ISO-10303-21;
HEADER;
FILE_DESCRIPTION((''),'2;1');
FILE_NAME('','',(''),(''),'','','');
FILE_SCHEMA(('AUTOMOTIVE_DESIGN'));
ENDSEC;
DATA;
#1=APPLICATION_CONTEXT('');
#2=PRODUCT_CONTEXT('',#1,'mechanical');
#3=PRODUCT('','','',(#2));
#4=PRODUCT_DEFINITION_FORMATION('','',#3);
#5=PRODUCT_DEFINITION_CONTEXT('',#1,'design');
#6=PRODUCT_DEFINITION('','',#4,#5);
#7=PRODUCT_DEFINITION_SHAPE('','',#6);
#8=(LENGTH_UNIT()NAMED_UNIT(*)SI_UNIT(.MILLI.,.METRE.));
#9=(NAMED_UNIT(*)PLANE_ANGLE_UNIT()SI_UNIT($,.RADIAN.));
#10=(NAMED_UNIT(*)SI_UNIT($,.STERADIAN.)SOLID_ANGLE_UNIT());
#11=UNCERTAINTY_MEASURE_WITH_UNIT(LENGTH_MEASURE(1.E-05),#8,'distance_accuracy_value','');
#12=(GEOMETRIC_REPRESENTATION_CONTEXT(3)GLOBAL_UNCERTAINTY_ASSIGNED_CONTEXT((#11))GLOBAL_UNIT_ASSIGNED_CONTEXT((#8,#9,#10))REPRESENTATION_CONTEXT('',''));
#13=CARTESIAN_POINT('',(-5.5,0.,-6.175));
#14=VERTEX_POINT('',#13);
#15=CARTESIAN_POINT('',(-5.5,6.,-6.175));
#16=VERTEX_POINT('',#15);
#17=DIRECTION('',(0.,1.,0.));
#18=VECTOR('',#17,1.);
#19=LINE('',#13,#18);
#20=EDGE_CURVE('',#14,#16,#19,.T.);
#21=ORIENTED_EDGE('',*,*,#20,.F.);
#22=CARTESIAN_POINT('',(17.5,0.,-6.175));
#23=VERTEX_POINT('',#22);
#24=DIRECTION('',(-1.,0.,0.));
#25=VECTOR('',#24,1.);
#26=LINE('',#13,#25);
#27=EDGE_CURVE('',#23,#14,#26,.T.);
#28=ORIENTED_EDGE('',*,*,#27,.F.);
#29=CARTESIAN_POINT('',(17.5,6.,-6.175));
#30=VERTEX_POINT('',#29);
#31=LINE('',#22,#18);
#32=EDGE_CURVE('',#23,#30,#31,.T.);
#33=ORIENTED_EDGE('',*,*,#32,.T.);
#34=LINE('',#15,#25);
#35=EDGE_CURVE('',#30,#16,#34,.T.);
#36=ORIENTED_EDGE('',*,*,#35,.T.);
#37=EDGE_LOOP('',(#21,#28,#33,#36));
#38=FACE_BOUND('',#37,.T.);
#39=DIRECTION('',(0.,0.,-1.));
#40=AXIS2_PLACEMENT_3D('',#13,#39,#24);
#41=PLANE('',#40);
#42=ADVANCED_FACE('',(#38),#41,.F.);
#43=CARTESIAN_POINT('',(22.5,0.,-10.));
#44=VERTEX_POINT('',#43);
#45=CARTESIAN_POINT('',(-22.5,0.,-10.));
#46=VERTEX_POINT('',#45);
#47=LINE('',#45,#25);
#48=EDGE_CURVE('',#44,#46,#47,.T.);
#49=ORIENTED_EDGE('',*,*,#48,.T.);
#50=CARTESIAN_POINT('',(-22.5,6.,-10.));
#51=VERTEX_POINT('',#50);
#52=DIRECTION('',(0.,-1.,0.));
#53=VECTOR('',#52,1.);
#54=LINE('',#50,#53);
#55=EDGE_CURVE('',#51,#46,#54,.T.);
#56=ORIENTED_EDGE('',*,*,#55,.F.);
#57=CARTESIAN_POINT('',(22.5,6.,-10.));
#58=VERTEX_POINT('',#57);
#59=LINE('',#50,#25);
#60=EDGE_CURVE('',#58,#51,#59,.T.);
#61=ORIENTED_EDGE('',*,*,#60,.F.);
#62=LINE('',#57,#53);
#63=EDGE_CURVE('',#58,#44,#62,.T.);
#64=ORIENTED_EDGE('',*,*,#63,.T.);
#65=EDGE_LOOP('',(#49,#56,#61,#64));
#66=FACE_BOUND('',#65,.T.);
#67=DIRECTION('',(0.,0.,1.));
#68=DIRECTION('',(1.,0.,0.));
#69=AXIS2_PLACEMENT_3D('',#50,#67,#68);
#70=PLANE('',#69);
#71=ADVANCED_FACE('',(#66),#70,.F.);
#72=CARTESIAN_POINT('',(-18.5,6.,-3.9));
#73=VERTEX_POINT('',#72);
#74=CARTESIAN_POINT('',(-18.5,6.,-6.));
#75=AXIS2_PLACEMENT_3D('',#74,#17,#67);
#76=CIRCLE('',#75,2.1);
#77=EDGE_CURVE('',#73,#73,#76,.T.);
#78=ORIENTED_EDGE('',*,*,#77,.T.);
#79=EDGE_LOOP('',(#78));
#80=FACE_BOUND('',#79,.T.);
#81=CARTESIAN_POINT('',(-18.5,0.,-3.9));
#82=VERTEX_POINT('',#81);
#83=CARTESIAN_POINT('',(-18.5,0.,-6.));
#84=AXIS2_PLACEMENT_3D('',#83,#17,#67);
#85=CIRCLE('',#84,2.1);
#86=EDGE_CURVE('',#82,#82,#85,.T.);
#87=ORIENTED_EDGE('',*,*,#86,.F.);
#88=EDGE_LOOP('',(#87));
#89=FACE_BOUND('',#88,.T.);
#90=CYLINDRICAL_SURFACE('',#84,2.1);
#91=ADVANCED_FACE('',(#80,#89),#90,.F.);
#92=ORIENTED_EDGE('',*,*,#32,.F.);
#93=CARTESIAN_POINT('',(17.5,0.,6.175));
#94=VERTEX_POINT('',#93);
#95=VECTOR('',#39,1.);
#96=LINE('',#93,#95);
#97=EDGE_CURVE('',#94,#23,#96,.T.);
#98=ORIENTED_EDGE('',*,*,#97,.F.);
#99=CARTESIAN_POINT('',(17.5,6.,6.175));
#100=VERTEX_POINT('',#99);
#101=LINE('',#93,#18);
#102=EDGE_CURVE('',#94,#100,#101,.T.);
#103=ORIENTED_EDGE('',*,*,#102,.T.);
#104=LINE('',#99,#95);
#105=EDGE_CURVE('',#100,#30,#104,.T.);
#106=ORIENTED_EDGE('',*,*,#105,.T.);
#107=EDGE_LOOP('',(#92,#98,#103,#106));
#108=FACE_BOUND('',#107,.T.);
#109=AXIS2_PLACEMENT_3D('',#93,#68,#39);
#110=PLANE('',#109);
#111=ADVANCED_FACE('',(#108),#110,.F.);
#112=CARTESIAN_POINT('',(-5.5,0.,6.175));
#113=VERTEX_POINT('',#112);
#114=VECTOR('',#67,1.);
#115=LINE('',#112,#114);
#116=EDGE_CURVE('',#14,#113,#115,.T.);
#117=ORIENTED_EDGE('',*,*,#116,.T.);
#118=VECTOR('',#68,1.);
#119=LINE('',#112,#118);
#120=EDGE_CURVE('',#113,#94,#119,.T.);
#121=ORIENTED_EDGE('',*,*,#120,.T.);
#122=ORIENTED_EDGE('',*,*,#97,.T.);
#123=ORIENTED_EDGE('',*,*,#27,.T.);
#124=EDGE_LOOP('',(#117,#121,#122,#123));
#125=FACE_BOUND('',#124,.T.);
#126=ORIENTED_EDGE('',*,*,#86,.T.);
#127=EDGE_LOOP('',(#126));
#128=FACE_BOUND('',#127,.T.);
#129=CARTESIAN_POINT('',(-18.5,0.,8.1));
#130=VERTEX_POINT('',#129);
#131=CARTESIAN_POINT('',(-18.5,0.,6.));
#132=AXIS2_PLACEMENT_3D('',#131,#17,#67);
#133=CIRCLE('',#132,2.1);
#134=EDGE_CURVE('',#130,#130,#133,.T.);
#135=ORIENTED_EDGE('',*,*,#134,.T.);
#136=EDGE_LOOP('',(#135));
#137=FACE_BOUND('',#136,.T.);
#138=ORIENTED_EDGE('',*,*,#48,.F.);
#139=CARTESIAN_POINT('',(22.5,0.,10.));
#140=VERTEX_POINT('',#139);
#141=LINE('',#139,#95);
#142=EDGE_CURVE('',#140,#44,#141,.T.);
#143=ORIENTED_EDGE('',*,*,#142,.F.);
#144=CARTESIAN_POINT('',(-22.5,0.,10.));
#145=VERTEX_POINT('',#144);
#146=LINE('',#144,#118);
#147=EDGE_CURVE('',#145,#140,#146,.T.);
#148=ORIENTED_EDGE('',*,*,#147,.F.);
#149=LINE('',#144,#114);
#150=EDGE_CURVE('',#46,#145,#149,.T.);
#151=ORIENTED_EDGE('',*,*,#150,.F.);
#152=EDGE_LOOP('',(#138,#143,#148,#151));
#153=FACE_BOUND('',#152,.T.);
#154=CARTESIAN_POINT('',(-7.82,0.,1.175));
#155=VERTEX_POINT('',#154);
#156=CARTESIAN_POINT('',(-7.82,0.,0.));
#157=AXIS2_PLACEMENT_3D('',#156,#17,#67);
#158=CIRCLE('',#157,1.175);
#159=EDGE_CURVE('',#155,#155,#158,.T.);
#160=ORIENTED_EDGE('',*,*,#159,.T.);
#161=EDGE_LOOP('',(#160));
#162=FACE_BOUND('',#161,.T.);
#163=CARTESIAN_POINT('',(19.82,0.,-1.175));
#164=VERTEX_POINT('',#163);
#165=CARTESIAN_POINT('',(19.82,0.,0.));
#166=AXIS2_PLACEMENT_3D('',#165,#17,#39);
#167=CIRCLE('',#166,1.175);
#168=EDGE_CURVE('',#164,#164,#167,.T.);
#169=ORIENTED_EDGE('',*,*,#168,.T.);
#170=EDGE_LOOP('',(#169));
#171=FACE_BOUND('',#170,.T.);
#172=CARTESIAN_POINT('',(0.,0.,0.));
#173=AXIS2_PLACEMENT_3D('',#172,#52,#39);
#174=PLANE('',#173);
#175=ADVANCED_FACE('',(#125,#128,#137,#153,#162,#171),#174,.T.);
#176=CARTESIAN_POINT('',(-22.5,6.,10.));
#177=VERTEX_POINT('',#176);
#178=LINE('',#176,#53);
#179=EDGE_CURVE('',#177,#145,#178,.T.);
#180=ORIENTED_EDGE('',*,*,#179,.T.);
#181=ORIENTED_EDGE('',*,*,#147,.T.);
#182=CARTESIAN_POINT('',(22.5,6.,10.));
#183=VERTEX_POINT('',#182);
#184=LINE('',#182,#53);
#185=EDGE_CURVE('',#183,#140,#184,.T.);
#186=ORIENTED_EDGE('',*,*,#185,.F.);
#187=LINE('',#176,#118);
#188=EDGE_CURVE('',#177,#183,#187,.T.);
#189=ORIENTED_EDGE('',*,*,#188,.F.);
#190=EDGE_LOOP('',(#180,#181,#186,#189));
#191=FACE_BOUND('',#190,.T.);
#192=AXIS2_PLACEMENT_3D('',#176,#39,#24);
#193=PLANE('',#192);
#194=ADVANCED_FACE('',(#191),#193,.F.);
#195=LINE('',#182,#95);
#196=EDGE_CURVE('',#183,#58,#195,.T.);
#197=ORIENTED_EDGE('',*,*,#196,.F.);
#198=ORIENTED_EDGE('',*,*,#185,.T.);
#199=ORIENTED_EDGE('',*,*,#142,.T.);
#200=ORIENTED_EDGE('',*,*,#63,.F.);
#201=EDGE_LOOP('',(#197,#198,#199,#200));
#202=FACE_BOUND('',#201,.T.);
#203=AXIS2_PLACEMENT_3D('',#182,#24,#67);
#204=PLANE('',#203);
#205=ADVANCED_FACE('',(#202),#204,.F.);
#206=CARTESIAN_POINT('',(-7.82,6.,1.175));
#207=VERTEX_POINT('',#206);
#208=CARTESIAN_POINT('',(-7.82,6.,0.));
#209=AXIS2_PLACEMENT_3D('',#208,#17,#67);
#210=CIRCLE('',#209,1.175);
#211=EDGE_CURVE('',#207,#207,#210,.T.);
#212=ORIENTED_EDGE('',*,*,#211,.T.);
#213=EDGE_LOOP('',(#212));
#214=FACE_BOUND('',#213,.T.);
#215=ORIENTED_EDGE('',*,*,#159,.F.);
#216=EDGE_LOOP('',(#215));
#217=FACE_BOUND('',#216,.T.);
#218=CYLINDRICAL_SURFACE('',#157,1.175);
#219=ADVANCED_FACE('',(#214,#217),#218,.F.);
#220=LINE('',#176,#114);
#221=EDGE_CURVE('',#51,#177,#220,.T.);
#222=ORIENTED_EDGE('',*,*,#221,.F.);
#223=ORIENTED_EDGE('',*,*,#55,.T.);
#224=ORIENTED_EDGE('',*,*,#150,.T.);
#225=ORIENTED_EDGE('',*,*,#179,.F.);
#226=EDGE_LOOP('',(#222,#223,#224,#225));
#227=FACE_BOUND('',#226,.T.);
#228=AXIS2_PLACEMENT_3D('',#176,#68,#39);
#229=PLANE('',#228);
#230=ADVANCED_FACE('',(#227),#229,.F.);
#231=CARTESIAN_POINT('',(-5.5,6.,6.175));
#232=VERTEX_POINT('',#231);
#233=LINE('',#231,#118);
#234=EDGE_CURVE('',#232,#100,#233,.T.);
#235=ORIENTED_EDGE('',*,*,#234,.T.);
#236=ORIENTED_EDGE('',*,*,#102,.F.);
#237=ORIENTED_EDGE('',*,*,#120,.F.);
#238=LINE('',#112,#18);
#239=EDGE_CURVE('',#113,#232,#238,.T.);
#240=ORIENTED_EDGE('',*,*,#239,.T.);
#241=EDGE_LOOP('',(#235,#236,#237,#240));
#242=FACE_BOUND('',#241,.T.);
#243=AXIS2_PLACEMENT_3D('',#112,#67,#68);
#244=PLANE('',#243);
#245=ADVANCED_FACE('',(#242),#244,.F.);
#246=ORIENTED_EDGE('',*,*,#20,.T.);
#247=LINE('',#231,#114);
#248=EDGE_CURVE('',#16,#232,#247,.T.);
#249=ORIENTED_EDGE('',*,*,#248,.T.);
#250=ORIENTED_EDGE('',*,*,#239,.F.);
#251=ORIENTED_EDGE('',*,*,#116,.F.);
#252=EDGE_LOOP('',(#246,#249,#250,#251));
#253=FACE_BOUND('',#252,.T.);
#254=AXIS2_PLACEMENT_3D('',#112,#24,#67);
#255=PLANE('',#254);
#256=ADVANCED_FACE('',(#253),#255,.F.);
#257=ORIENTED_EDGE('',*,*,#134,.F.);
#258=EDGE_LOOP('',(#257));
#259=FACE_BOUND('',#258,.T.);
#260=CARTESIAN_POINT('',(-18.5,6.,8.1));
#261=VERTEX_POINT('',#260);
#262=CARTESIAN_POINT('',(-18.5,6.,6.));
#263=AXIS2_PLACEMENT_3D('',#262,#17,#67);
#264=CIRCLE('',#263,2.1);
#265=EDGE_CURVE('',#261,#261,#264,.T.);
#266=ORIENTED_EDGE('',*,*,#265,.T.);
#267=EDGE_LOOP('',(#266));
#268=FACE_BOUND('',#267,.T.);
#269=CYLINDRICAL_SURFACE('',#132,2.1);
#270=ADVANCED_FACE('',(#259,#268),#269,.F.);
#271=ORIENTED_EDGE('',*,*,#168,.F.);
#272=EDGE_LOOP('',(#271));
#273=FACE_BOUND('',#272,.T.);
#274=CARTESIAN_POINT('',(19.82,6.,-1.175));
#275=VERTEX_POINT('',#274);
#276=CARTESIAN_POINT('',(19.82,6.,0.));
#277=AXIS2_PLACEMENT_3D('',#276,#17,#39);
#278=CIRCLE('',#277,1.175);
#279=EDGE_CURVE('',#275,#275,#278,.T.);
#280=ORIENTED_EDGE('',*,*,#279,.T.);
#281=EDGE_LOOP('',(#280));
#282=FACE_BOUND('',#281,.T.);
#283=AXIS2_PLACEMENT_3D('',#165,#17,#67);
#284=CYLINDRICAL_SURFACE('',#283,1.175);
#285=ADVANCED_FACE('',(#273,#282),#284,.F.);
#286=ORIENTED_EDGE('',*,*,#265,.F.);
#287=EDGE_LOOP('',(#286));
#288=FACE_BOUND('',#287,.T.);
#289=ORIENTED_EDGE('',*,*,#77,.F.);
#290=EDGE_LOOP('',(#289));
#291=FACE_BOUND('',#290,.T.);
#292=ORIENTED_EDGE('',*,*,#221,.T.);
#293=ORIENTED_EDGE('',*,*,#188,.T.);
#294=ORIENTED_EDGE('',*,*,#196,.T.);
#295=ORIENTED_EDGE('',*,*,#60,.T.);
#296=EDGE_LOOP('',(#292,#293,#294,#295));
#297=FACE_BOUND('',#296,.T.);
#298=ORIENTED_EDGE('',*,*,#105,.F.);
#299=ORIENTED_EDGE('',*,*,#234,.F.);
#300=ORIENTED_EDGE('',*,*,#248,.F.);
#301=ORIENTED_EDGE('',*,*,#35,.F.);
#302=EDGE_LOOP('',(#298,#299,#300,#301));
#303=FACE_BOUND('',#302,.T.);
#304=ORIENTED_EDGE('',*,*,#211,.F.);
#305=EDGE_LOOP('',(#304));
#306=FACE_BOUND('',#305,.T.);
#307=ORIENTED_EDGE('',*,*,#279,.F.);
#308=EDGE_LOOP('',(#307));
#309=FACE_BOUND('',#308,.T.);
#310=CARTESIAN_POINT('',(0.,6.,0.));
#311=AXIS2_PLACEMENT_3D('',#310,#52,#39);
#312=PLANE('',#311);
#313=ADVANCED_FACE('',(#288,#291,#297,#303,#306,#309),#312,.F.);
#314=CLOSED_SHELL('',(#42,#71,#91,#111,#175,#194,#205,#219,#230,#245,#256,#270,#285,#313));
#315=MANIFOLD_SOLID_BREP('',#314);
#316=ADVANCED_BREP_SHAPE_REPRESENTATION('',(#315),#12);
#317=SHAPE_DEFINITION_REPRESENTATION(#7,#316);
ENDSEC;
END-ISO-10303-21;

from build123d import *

# Parameters (mm, degrees)
SKETCH1_W           = 45
SKETCH1_H           = 20
BOSS_EXTRUDE1_DEPTH = 6
SKETCH2_R           = 2.1
CUT_EXTRUDE1_DEPTH  = 6
SKETCH3_R           = 1.175
SKETCH3_W           = 23
SKETCH3_H           = 12.35
CUT_EXTRUDE2_DEPTH  = 6


with BuildPart() as part:
    # Sketch1 → Boss-Extrude1 (new body)
    with BuildSketch(Plane(origin=(0, 0, 0), x_dir=(1, 0, 0), z_dir=(0, 1, 0))):
        Rectangle(SKETCH1_W, SKETCH1_H)
    extrude(amount=BOSS_EXTRUDE1_DEPTH)

    # Sketch2 → Cut-Extrude1 (cut)
    with BuildSketch(Plane(origin=(0, 6, 0), x_dir=(1, 0, 0), z_dir=(0, 1, 0))):
        with Locations((-18.5, -6)):
            Circle(SKETCH2_R)
        with Locations((-18.5, 6)):
            Circle(SKETCH2_R)
    extrude(amount=-CUT_EXTRUDE1_DEPTH, mode=Mode.SUBTRACT)

    # Sketch3 → Cut-Extrude2 (cut)
    with BuildSketch(Plane(origin=(0, 6, 0), x_dir=(1, 0, 0), z_dir=(0, 1, 0))):
        with Locations((-7.82, 0)):
            Circle(SKETCH3_R)
        with Locations((19.82, 0)):
            Circle(SKETCH3_R)
        with Locations((6, 0)):
            Rectangle(SKETCH3_W, SKETCH3_H)
    extrude(amount=-CUT_EXTRUDE2_DEPTH, mode=Mode.SUBTRACT)


solid = part.part
